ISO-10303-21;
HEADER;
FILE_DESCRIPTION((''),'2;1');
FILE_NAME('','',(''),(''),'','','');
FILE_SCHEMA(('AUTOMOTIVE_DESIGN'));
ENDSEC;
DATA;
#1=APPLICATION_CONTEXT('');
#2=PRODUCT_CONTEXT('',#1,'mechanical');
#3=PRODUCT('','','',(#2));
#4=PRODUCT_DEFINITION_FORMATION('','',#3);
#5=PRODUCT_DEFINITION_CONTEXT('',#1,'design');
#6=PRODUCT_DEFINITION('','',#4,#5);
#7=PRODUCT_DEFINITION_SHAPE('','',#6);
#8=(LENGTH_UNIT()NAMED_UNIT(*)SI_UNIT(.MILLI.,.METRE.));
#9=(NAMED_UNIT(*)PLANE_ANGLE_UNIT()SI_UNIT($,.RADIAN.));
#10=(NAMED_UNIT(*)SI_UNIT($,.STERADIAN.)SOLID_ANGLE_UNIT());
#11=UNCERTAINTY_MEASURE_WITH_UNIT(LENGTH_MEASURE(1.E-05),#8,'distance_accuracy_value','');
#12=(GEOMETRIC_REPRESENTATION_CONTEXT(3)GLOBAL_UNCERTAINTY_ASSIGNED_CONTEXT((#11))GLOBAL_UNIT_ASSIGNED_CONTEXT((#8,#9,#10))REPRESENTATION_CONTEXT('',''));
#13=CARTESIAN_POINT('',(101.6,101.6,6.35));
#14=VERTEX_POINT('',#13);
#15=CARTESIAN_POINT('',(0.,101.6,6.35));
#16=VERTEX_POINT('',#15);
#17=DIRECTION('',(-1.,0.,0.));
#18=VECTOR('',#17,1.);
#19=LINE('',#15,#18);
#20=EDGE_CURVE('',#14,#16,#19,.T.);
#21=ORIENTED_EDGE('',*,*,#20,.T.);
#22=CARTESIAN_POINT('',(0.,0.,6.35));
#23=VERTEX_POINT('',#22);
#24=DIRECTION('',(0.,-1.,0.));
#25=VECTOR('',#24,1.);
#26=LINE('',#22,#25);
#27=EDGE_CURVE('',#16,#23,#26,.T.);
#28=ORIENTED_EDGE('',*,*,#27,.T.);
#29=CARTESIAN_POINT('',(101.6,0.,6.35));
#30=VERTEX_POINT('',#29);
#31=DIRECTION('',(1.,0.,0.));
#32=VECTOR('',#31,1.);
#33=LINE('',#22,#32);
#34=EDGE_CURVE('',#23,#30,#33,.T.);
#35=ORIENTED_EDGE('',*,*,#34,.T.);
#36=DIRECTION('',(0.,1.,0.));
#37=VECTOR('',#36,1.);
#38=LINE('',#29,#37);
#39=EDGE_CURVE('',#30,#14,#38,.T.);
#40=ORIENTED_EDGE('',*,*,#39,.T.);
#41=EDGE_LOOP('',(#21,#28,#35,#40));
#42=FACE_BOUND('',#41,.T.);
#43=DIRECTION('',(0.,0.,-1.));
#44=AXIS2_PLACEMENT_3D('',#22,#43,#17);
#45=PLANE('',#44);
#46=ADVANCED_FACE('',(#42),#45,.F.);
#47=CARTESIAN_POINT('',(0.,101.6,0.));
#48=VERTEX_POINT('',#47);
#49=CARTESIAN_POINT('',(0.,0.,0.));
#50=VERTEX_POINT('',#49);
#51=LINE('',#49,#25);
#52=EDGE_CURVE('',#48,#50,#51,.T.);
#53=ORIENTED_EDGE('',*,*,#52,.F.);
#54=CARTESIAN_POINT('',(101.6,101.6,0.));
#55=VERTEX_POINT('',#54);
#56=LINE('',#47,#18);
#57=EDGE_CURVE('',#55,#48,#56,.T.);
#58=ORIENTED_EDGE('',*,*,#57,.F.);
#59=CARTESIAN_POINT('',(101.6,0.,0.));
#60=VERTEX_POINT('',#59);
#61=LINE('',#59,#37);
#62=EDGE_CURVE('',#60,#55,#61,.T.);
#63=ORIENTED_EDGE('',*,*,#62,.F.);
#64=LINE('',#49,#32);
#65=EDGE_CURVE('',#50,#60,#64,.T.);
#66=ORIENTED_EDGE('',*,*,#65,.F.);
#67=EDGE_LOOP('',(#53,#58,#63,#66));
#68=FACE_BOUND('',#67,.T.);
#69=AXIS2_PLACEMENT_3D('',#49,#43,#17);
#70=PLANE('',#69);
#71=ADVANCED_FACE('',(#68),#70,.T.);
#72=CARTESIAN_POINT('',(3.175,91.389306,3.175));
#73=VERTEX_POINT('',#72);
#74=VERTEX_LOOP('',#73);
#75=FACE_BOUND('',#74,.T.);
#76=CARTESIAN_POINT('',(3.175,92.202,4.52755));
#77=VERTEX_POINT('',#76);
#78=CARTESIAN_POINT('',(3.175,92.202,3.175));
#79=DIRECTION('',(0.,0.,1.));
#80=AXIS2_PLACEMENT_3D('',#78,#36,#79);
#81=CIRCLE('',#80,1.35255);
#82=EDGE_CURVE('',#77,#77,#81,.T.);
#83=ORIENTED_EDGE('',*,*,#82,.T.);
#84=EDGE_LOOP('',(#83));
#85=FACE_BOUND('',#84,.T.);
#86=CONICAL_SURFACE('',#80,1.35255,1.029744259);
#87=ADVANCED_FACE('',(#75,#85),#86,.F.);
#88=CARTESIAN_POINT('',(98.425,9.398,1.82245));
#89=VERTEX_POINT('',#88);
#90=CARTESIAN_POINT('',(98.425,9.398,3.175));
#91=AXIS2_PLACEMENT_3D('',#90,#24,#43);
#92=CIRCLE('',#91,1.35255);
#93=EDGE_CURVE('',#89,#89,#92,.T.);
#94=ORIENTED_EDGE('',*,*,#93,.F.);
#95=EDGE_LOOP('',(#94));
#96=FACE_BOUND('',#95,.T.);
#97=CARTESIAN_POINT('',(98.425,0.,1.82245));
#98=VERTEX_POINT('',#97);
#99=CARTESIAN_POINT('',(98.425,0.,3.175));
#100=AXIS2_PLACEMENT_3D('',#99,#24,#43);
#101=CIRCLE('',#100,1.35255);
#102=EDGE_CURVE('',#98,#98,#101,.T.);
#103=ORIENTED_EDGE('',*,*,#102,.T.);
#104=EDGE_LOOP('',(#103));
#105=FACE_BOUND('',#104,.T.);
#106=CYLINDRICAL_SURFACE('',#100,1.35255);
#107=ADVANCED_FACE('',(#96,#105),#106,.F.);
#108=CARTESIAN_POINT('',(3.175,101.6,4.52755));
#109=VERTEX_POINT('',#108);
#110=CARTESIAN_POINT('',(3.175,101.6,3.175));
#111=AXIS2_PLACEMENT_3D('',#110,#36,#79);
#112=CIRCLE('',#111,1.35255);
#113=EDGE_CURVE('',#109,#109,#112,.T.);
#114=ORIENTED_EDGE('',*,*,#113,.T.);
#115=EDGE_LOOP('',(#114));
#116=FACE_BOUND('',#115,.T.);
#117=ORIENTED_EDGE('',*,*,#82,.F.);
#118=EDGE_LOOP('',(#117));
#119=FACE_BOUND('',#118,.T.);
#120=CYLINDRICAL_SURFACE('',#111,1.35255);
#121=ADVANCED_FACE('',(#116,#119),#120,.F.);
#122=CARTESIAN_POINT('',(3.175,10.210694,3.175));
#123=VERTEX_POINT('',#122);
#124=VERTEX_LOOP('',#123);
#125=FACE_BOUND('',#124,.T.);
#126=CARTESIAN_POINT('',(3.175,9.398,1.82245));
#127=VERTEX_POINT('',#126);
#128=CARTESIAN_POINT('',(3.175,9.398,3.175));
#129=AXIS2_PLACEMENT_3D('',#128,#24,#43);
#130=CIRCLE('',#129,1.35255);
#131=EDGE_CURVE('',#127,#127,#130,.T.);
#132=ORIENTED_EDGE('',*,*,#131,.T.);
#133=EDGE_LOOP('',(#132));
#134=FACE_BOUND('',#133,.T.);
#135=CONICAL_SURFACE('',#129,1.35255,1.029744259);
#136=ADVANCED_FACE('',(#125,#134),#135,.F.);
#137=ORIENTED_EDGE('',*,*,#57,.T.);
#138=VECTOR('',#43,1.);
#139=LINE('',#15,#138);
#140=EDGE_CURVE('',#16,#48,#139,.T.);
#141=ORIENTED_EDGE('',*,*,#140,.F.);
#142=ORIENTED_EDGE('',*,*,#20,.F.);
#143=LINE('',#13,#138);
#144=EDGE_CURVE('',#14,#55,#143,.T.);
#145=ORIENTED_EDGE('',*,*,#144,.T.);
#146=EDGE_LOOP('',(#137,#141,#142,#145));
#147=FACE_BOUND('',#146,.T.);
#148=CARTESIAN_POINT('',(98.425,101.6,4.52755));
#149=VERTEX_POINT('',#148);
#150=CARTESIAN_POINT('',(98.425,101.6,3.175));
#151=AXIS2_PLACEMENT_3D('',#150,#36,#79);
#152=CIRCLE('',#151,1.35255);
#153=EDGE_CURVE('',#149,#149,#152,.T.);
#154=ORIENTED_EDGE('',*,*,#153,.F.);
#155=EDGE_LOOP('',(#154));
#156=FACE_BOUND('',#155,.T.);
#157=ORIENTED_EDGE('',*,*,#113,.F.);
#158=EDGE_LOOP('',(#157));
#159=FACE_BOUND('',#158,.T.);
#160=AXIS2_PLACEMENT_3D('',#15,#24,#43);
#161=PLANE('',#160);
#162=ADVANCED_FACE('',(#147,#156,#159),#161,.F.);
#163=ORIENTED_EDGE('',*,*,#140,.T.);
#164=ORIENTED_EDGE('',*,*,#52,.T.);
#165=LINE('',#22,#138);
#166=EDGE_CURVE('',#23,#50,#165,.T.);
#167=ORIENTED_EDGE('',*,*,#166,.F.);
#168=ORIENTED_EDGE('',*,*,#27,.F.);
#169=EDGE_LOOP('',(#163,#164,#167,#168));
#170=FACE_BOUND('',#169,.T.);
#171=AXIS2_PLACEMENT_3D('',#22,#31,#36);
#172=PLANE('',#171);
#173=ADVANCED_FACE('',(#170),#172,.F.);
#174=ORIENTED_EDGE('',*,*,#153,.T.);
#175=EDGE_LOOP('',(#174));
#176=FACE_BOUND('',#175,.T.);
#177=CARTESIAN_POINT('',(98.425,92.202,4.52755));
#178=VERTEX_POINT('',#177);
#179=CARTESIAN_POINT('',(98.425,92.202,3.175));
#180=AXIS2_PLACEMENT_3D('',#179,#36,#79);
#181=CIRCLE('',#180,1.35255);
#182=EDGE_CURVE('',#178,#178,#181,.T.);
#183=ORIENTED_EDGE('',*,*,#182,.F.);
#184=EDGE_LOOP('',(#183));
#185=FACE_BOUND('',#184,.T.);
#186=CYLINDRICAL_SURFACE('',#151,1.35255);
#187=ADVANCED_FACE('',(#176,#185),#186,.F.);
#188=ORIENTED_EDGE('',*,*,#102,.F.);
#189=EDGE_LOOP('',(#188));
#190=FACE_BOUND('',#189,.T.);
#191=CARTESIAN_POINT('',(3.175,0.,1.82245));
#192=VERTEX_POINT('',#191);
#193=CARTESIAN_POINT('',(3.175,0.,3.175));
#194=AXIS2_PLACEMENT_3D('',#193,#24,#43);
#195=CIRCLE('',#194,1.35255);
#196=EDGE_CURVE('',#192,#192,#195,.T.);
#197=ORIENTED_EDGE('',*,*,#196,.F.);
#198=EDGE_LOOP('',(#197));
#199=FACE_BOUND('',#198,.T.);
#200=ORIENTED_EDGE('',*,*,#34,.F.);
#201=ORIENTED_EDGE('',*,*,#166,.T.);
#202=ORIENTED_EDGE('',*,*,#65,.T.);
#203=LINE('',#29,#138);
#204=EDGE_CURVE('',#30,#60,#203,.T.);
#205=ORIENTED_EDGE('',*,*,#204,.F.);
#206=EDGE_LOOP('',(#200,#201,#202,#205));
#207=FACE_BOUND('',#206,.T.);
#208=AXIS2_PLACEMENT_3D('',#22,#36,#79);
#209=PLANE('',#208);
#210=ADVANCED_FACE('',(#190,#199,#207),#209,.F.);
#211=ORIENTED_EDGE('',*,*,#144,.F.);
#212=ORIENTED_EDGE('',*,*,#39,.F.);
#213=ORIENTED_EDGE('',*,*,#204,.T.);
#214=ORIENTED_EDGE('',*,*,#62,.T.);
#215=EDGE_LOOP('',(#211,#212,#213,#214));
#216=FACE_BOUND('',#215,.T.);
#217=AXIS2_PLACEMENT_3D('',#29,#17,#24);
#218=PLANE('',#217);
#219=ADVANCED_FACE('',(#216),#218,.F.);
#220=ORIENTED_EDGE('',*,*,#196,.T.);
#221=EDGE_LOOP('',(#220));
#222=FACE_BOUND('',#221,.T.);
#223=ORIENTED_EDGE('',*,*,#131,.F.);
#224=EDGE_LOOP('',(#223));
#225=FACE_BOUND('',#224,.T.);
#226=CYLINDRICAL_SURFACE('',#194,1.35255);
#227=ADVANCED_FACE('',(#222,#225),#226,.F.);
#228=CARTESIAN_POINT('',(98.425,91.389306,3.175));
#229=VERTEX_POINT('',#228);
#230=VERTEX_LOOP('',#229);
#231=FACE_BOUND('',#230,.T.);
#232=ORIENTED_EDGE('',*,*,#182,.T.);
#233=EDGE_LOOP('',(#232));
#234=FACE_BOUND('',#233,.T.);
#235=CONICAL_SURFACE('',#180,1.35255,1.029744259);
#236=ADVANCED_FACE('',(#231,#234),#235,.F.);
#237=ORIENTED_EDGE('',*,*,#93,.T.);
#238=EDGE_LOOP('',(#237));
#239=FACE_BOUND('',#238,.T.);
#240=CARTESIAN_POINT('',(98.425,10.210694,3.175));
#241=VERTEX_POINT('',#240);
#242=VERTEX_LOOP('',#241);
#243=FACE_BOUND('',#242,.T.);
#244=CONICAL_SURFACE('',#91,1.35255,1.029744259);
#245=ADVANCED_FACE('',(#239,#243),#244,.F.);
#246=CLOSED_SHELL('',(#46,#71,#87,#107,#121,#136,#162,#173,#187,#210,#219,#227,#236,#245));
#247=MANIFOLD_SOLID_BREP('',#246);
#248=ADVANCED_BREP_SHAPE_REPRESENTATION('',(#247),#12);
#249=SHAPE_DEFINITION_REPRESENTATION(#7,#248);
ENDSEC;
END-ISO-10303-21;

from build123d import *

# Parameters (mm, degrees)
SKETCH2_W                      = 101.6
SKETCH2_H                      = 101.6
BOSS_EXTRUDE1_DEPTH            = 6.35
F_6_32_TAPPED_HOLE1_AT_2_COUNT = 2
F_6_32_TAPPED_HOLE1_AT_2_PITCH = 95.25


with BuildPart() as part:
    # Sketch2 → Boss-Extrude1 (new body)
    with BuildSketch(Plane.XY):
        with Locations((50.8, 50.8)):
            Rectangle(SKETCH2_W, SKETCH2_H)
    extrude(amount=BOSS_EXTRUDE1_DEPTH)

    # Sketch7 → #6-32 Tapped Hole1 (revolve, cut)
    with BuildSketch(Plane(origin=(3.175, 101.6, 3.175), x_dir=(0, 0, 1), z_dir=(1, 0, 0))):
        Polygon((0, 0), (0, 10.21069403), (1.35255, 9.398), (1.35255, 0), align=None)
    f_6_32_tapped_hole1 = revolve(axis=Axis((3.175, 107.95, 3.175), (0, -1, 0)), mode=Mode.SUBTRACT)

    # #6-32 Tapped Hole1 at 2: #6-32 Tapped Hole1 ×2
    with Locations(*[(i * F_6_32_TAPPED_HOLE1_AT_2_PITCH, 0, 0) for i in range(1, F_6_32_TAPPED_HOLE1_AT_2_COUNT)]):
        add(f_6_32_tapped_hole1, mode=Mode.SUBTRACT)

    # Mirror1: #6-32 Tapped Hole1 across plane
    add(f_6_32_tapped_hole1.mirror(Plane.ZX.offset(50.8)), mode=Mode.SUBTRACT)

    # Mirror1 copy 1 sketch → Mirror1 copy 1 (revolve, cut)
    with BuildSketch(Plane(origin=(98.425, 0, 3.175), x_dir=(0, 0, 1), z_dir=(1, 0, 0))):
        Polygon((0, 0), (0, -10.21069403), (1.35255, -9.398), (1.35255, 0), align=None)
    revolve(axis=Axis((98.425, -6.35, 3.175), (0, -1, 0)), mode=Mode.SUBTRACT)


solid = part.part
